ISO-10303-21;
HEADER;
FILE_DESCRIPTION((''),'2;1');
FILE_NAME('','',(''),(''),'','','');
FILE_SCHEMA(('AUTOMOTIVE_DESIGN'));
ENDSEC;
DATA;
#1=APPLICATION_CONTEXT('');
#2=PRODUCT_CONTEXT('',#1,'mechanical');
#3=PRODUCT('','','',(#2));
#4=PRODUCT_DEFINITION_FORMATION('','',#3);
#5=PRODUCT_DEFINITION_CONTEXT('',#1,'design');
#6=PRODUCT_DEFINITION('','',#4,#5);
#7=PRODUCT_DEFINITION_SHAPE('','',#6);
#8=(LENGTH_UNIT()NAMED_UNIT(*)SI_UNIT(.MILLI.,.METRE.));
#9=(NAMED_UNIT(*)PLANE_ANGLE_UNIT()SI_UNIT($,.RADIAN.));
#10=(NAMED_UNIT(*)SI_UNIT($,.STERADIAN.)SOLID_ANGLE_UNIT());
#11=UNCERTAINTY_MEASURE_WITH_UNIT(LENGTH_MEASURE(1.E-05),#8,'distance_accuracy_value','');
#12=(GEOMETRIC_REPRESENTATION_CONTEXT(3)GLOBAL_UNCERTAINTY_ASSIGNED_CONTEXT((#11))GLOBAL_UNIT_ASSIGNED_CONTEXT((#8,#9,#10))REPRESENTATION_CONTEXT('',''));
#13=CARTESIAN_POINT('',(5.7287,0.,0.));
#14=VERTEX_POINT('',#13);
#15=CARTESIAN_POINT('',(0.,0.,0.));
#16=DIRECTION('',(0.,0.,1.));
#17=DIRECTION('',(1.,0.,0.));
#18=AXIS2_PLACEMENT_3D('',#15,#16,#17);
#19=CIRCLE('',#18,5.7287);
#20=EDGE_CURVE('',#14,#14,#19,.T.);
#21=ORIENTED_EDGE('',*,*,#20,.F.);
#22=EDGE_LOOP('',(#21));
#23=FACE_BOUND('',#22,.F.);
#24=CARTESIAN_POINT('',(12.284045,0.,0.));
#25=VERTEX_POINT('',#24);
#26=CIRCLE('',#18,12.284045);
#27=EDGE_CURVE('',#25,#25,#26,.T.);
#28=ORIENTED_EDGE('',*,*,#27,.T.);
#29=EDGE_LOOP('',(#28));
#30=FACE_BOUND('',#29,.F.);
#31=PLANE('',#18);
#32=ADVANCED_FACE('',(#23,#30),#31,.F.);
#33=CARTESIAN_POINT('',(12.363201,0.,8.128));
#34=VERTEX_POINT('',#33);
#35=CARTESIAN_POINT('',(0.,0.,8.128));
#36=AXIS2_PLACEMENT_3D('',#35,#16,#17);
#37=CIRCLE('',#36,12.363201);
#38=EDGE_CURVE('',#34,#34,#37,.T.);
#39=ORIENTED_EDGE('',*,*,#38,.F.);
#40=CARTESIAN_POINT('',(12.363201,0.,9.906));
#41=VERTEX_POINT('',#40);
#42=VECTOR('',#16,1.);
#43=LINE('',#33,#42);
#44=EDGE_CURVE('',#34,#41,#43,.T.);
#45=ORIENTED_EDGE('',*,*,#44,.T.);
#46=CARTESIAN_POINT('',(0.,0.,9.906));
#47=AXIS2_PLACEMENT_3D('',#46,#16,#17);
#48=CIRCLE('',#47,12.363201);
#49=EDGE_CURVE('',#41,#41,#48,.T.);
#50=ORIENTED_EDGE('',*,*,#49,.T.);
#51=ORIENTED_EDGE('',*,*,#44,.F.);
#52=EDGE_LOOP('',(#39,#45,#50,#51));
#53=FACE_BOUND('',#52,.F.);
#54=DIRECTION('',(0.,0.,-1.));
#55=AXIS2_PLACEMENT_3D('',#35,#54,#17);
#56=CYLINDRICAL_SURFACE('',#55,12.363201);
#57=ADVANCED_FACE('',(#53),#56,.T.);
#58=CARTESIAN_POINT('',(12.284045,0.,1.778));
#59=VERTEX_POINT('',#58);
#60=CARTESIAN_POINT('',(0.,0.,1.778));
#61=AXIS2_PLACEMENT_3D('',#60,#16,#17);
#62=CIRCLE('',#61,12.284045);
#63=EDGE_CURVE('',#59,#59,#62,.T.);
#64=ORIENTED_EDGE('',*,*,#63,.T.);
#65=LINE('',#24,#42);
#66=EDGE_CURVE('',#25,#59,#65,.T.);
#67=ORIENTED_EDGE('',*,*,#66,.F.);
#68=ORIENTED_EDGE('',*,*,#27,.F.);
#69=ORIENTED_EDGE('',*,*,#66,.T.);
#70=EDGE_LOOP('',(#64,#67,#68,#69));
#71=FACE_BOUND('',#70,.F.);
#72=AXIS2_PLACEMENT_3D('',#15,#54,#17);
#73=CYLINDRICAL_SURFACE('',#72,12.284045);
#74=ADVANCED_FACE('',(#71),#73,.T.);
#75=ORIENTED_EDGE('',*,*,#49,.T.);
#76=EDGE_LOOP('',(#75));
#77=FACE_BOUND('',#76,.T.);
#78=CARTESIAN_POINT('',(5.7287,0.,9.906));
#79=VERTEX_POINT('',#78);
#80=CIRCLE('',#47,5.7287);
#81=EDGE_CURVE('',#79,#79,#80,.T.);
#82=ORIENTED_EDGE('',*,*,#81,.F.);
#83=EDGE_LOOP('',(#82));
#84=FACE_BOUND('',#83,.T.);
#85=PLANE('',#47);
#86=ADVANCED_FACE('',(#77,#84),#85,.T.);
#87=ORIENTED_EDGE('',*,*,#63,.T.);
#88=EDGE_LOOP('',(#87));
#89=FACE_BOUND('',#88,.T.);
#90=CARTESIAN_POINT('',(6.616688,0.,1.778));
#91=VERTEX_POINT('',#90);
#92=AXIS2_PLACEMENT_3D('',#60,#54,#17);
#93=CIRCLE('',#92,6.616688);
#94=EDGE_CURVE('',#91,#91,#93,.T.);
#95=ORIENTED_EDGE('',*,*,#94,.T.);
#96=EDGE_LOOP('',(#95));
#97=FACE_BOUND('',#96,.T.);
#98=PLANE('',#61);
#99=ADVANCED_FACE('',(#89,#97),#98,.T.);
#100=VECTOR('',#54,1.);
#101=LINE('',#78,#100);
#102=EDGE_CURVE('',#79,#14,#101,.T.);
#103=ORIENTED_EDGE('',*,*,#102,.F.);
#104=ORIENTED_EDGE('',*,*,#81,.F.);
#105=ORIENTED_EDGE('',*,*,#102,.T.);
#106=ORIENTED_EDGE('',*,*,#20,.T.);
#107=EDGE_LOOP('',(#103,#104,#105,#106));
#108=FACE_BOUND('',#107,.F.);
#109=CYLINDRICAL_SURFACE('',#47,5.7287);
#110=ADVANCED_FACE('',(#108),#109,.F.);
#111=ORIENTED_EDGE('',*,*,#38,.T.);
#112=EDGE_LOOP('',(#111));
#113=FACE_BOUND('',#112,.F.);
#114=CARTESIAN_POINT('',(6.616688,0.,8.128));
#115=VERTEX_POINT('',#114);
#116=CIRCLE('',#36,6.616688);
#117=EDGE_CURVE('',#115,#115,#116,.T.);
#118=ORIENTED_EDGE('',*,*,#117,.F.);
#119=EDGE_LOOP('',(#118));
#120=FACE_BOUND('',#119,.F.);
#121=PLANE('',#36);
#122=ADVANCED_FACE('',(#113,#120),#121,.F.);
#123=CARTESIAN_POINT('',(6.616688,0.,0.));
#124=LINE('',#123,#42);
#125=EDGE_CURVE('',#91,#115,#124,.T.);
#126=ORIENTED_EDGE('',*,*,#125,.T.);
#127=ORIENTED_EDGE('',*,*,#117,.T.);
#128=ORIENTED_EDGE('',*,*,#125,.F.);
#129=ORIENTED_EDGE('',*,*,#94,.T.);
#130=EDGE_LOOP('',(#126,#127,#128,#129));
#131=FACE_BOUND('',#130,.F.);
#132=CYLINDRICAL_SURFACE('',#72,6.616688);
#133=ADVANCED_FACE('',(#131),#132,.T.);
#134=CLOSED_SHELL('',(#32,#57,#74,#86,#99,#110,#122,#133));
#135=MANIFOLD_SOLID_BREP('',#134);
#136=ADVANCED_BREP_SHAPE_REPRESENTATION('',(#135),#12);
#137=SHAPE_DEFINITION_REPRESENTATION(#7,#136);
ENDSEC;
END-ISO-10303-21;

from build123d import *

# Parameters (mm, degrees)
F0_R     = 12.284045
F1_DEPTH = 1.778
F2_R     = 6.616688
F3_DEPTH = 8.128
F4_R     = 12.363201
F5_DEPTH = 1.778
F6_R     = 5.7287
F7_DEPTH = 9.907


with BuildPart() as f1:
    # F0 (on Top) → F1 (new body)
    with BuildSketch(Plane.XY):
        Circle(F0_R)
    extrude(amount=F1_DEPTH)

    # F2 (on Top) → F3 (join)
    with BuildSketch(Plane.XY):
        Circle(F2_R)
    extrude(amount=F3_DEPTH)

    # F4 (on face) → F5 (join)
    with BuildSketch(Plane.XY.offset(8.128)):
        Circle(F4_R)
    extrude(amount=F5_DEPTH)

    # F6 (on face) → F7 (cut, through all)
    with BuildSketch(Plane.XY.offset(9.906)):
        Circle(F6_R)
    extrude(amount=-F7_DEPTH, mode=Mode.SUBTRACT)


solid = f1.part
